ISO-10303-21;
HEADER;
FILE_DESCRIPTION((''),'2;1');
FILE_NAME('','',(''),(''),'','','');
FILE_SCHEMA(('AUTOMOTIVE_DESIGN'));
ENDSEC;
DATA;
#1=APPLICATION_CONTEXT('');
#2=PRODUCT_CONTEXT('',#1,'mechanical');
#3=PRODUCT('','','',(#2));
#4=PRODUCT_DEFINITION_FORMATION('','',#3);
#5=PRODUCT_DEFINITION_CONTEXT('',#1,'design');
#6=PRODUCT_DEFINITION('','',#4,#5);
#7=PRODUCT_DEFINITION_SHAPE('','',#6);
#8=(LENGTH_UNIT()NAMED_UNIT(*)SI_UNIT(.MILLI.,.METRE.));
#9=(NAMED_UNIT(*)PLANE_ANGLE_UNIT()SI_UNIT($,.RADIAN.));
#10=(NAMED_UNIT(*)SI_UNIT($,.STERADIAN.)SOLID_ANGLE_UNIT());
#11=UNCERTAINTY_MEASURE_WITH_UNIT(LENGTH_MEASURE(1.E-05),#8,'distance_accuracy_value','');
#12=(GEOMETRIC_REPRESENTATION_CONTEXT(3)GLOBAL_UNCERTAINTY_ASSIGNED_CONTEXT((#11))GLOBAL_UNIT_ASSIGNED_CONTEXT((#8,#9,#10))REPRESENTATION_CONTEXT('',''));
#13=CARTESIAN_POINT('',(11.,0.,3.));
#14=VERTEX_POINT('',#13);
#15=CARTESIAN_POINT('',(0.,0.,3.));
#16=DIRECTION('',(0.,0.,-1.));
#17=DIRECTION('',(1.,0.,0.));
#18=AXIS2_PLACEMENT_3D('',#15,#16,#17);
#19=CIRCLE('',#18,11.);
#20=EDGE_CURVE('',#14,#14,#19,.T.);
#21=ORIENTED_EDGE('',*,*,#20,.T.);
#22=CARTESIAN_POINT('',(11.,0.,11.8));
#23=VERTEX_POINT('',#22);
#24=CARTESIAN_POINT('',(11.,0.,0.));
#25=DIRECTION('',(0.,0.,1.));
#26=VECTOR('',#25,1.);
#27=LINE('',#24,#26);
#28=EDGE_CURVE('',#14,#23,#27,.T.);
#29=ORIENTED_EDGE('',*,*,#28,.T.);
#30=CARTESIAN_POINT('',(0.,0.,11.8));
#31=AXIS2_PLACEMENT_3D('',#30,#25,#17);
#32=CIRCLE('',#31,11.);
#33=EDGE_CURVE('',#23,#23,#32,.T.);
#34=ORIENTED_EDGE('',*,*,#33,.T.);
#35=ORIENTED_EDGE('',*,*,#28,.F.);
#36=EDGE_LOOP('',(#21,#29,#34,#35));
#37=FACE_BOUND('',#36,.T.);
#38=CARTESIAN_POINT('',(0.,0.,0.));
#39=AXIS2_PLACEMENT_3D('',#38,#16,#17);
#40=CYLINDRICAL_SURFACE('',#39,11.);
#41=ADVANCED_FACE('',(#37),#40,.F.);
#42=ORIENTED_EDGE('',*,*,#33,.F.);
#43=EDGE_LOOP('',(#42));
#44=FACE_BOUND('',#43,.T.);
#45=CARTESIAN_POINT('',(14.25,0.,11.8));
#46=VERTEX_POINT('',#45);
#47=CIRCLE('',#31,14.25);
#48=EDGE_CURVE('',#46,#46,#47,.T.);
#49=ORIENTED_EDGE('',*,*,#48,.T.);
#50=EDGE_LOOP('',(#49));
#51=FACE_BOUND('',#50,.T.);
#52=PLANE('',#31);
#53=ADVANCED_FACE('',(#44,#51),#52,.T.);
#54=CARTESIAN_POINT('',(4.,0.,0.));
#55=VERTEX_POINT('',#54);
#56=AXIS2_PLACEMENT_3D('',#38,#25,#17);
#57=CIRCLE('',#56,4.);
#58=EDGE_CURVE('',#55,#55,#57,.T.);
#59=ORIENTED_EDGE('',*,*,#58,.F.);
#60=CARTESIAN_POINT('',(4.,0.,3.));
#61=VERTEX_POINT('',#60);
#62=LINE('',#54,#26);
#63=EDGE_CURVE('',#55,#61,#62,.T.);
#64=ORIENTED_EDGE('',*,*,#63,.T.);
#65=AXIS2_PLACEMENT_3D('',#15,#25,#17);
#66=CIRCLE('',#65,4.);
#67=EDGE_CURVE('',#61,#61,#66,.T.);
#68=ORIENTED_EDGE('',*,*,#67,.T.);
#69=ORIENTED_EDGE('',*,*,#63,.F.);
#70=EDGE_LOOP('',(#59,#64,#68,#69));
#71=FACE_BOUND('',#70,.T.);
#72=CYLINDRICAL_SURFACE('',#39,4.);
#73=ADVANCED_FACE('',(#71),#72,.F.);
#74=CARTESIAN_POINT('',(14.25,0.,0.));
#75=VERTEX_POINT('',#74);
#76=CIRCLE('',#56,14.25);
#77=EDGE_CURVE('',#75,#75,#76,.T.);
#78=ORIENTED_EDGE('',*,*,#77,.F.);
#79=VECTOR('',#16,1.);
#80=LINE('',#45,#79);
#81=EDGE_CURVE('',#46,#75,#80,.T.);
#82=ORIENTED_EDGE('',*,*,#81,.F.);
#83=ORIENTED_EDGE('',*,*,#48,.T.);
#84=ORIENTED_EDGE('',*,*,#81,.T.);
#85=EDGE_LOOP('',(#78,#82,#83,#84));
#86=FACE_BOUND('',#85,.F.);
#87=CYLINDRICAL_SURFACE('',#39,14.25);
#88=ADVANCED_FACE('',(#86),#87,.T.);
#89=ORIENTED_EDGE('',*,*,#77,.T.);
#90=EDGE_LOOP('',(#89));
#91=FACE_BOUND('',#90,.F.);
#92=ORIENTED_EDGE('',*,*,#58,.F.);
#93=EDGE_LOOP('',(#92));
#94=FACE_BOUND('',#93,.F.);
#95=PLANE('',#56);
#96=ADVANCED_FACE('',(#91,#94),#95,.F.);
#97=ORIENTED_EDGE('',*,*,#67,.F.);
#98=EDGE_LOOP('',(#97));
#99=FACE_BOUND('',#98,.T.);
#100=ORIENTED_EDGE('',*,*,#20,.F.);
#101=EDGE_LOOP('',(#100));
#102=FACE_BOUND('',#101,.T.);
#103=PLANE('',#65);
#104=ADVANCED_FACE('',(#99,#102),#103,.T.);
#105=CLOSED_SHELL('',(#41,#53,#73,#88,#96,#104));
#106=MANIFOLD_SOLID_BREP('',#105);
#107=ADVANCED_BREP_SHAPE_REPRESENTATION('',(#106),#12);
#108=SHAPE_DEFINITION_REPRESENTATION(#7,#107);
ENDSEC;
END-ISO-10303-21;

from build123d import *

# Parameters (mm, degrees)
F0_R     = 14.25
F0_R_2   = 11
F1_DEPTH = 11.8
F0_R_3   = 4
F2_DEPTH = 3


with BuildPart() as f1:
    # F0 (on Top) → F1 (new body)
    with BuildSketch(Plane.XY):
        Circle(F0_R)
        Circle(F0_R_2, mode=Mode.SUBTRACT)
    extrude(amount=F1_DEPTH)

    # F0 (on Top) → F2 (join)
    with BuildSketch(Plane.XY):
        Circle(F0_R)
        Circle(F0_R_2, mode=Mode.SUBTRACT)
        Circle(F0_R_2)
        Circle(F0_R_3, mode=Mode.SUBTRACT)
    extrude(amount=F2_DEPTH)


solid = f1.part
